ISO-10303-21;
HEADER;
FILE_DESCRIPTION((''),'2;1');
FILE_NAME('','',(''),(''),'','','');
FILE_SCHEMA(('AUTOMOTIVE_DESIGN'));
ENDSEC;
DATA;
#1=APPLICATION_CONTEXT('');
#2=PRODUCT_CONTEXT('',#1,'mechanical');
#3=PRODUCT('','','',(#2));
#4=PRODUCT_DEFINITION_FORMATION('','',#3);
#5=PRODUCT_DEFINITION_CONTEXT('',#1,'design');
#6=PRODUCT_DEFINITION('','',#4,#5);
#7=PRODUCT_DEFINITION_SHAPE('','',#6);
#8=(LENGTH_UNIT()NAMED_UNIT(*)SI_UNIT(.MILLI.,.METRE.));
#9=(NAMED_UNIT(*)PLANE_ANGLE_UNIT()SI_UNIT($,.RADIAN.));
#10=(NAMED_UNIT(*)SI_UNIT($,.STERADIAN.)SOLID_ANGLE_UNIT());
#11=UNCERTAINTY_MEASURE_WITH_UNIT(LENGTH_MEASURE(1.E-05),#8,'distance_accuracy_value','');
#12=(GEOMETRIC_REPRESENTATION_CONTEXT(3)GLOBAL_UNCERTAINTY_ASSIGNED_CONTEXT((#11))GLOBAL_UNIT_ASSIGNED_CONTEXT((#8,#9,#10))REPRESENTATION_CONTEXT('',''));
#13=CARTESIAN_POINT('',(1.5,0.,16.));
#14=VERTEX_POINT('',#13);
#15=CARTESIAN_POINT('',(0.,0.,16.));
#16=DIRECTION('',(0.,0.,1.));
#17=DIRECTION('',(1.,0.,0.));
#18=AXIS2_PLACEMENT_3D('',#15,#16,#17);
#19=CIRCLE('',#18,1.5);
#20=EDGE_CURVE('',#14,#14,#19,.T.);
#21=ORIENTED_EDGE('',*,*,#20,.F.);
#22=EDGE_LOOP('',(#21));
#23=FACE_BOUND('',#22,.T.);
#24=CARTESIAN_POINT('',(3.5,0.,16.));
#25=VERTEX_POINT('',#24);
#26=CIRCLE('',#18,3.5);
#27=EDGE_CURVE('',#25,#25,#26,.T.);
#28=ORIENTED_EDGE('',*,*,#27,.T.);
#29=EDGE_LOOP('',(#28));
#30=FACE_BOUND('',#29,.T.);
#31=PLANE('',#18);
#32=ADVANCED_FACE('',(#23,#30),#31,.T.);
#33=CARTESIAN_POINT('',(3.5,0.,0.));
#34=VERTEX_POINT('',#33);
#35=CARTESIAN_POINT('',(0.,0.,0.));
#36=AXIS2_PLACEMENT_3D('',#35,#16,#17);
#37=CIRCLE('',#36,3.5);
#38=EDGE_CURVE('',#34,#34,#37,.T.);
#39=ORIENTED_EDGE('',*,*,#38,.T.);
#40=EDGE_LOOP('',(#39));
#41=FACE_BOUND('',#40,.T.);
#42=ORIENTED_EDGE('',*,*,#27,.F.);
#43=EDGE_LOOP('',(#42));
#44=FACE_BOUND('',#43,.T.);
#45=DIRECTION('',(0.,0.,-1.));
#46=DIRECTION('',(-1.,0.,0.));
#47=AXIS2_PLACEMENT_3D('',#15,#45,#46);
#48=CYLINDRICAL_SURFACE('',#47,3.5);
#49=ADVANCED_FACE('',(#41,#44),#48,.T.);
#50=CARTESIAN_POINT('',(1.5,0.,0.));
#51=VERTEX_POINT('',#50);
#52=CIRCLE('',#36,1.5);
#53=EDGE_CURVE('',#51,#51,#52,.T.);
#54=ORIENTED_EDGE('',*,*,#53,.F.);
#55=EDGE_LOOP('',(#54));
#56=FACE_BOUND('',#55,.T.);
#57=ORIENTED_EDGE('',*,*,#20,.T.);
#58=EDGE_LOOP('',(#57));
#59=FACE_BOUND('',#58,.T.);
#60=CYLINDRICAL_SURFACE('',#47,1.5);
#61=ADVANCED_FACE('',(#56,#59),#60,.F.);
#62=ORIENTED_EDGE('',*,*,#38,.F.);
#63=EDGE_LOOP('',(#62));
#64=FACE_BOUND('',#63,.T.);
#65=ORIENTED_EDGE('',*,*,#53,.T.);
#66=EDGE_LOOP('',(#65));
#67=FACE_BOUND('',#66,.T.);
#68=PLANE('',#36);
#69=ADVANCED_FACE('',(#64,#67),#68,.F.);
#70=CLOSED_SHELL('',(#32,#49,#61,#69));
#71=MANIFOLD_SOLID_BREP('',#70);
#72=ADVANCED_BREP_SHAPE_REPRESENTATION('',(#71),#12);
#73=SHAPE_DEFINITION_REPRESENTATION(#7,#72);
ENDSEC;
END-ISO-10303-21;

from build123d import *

# Parameters (mm, degrees)
SKETCH_1_R      = 3.5
SKETCH_1_R_2    = 1.5
EXTRUDE_1_DEPTH = 16


with BuildPart() as part:
    # 草图1 → 拉伸1 (new body)
    with BuildSketch(Plane.XY):
        Circle(SKETCH_1_R)
        Circle(SKETCH_1_R_2, mode=Mode.SUBTRACT)
    extrude(amount=EXTRUDE_1_DEPTH)


solid = part.part
